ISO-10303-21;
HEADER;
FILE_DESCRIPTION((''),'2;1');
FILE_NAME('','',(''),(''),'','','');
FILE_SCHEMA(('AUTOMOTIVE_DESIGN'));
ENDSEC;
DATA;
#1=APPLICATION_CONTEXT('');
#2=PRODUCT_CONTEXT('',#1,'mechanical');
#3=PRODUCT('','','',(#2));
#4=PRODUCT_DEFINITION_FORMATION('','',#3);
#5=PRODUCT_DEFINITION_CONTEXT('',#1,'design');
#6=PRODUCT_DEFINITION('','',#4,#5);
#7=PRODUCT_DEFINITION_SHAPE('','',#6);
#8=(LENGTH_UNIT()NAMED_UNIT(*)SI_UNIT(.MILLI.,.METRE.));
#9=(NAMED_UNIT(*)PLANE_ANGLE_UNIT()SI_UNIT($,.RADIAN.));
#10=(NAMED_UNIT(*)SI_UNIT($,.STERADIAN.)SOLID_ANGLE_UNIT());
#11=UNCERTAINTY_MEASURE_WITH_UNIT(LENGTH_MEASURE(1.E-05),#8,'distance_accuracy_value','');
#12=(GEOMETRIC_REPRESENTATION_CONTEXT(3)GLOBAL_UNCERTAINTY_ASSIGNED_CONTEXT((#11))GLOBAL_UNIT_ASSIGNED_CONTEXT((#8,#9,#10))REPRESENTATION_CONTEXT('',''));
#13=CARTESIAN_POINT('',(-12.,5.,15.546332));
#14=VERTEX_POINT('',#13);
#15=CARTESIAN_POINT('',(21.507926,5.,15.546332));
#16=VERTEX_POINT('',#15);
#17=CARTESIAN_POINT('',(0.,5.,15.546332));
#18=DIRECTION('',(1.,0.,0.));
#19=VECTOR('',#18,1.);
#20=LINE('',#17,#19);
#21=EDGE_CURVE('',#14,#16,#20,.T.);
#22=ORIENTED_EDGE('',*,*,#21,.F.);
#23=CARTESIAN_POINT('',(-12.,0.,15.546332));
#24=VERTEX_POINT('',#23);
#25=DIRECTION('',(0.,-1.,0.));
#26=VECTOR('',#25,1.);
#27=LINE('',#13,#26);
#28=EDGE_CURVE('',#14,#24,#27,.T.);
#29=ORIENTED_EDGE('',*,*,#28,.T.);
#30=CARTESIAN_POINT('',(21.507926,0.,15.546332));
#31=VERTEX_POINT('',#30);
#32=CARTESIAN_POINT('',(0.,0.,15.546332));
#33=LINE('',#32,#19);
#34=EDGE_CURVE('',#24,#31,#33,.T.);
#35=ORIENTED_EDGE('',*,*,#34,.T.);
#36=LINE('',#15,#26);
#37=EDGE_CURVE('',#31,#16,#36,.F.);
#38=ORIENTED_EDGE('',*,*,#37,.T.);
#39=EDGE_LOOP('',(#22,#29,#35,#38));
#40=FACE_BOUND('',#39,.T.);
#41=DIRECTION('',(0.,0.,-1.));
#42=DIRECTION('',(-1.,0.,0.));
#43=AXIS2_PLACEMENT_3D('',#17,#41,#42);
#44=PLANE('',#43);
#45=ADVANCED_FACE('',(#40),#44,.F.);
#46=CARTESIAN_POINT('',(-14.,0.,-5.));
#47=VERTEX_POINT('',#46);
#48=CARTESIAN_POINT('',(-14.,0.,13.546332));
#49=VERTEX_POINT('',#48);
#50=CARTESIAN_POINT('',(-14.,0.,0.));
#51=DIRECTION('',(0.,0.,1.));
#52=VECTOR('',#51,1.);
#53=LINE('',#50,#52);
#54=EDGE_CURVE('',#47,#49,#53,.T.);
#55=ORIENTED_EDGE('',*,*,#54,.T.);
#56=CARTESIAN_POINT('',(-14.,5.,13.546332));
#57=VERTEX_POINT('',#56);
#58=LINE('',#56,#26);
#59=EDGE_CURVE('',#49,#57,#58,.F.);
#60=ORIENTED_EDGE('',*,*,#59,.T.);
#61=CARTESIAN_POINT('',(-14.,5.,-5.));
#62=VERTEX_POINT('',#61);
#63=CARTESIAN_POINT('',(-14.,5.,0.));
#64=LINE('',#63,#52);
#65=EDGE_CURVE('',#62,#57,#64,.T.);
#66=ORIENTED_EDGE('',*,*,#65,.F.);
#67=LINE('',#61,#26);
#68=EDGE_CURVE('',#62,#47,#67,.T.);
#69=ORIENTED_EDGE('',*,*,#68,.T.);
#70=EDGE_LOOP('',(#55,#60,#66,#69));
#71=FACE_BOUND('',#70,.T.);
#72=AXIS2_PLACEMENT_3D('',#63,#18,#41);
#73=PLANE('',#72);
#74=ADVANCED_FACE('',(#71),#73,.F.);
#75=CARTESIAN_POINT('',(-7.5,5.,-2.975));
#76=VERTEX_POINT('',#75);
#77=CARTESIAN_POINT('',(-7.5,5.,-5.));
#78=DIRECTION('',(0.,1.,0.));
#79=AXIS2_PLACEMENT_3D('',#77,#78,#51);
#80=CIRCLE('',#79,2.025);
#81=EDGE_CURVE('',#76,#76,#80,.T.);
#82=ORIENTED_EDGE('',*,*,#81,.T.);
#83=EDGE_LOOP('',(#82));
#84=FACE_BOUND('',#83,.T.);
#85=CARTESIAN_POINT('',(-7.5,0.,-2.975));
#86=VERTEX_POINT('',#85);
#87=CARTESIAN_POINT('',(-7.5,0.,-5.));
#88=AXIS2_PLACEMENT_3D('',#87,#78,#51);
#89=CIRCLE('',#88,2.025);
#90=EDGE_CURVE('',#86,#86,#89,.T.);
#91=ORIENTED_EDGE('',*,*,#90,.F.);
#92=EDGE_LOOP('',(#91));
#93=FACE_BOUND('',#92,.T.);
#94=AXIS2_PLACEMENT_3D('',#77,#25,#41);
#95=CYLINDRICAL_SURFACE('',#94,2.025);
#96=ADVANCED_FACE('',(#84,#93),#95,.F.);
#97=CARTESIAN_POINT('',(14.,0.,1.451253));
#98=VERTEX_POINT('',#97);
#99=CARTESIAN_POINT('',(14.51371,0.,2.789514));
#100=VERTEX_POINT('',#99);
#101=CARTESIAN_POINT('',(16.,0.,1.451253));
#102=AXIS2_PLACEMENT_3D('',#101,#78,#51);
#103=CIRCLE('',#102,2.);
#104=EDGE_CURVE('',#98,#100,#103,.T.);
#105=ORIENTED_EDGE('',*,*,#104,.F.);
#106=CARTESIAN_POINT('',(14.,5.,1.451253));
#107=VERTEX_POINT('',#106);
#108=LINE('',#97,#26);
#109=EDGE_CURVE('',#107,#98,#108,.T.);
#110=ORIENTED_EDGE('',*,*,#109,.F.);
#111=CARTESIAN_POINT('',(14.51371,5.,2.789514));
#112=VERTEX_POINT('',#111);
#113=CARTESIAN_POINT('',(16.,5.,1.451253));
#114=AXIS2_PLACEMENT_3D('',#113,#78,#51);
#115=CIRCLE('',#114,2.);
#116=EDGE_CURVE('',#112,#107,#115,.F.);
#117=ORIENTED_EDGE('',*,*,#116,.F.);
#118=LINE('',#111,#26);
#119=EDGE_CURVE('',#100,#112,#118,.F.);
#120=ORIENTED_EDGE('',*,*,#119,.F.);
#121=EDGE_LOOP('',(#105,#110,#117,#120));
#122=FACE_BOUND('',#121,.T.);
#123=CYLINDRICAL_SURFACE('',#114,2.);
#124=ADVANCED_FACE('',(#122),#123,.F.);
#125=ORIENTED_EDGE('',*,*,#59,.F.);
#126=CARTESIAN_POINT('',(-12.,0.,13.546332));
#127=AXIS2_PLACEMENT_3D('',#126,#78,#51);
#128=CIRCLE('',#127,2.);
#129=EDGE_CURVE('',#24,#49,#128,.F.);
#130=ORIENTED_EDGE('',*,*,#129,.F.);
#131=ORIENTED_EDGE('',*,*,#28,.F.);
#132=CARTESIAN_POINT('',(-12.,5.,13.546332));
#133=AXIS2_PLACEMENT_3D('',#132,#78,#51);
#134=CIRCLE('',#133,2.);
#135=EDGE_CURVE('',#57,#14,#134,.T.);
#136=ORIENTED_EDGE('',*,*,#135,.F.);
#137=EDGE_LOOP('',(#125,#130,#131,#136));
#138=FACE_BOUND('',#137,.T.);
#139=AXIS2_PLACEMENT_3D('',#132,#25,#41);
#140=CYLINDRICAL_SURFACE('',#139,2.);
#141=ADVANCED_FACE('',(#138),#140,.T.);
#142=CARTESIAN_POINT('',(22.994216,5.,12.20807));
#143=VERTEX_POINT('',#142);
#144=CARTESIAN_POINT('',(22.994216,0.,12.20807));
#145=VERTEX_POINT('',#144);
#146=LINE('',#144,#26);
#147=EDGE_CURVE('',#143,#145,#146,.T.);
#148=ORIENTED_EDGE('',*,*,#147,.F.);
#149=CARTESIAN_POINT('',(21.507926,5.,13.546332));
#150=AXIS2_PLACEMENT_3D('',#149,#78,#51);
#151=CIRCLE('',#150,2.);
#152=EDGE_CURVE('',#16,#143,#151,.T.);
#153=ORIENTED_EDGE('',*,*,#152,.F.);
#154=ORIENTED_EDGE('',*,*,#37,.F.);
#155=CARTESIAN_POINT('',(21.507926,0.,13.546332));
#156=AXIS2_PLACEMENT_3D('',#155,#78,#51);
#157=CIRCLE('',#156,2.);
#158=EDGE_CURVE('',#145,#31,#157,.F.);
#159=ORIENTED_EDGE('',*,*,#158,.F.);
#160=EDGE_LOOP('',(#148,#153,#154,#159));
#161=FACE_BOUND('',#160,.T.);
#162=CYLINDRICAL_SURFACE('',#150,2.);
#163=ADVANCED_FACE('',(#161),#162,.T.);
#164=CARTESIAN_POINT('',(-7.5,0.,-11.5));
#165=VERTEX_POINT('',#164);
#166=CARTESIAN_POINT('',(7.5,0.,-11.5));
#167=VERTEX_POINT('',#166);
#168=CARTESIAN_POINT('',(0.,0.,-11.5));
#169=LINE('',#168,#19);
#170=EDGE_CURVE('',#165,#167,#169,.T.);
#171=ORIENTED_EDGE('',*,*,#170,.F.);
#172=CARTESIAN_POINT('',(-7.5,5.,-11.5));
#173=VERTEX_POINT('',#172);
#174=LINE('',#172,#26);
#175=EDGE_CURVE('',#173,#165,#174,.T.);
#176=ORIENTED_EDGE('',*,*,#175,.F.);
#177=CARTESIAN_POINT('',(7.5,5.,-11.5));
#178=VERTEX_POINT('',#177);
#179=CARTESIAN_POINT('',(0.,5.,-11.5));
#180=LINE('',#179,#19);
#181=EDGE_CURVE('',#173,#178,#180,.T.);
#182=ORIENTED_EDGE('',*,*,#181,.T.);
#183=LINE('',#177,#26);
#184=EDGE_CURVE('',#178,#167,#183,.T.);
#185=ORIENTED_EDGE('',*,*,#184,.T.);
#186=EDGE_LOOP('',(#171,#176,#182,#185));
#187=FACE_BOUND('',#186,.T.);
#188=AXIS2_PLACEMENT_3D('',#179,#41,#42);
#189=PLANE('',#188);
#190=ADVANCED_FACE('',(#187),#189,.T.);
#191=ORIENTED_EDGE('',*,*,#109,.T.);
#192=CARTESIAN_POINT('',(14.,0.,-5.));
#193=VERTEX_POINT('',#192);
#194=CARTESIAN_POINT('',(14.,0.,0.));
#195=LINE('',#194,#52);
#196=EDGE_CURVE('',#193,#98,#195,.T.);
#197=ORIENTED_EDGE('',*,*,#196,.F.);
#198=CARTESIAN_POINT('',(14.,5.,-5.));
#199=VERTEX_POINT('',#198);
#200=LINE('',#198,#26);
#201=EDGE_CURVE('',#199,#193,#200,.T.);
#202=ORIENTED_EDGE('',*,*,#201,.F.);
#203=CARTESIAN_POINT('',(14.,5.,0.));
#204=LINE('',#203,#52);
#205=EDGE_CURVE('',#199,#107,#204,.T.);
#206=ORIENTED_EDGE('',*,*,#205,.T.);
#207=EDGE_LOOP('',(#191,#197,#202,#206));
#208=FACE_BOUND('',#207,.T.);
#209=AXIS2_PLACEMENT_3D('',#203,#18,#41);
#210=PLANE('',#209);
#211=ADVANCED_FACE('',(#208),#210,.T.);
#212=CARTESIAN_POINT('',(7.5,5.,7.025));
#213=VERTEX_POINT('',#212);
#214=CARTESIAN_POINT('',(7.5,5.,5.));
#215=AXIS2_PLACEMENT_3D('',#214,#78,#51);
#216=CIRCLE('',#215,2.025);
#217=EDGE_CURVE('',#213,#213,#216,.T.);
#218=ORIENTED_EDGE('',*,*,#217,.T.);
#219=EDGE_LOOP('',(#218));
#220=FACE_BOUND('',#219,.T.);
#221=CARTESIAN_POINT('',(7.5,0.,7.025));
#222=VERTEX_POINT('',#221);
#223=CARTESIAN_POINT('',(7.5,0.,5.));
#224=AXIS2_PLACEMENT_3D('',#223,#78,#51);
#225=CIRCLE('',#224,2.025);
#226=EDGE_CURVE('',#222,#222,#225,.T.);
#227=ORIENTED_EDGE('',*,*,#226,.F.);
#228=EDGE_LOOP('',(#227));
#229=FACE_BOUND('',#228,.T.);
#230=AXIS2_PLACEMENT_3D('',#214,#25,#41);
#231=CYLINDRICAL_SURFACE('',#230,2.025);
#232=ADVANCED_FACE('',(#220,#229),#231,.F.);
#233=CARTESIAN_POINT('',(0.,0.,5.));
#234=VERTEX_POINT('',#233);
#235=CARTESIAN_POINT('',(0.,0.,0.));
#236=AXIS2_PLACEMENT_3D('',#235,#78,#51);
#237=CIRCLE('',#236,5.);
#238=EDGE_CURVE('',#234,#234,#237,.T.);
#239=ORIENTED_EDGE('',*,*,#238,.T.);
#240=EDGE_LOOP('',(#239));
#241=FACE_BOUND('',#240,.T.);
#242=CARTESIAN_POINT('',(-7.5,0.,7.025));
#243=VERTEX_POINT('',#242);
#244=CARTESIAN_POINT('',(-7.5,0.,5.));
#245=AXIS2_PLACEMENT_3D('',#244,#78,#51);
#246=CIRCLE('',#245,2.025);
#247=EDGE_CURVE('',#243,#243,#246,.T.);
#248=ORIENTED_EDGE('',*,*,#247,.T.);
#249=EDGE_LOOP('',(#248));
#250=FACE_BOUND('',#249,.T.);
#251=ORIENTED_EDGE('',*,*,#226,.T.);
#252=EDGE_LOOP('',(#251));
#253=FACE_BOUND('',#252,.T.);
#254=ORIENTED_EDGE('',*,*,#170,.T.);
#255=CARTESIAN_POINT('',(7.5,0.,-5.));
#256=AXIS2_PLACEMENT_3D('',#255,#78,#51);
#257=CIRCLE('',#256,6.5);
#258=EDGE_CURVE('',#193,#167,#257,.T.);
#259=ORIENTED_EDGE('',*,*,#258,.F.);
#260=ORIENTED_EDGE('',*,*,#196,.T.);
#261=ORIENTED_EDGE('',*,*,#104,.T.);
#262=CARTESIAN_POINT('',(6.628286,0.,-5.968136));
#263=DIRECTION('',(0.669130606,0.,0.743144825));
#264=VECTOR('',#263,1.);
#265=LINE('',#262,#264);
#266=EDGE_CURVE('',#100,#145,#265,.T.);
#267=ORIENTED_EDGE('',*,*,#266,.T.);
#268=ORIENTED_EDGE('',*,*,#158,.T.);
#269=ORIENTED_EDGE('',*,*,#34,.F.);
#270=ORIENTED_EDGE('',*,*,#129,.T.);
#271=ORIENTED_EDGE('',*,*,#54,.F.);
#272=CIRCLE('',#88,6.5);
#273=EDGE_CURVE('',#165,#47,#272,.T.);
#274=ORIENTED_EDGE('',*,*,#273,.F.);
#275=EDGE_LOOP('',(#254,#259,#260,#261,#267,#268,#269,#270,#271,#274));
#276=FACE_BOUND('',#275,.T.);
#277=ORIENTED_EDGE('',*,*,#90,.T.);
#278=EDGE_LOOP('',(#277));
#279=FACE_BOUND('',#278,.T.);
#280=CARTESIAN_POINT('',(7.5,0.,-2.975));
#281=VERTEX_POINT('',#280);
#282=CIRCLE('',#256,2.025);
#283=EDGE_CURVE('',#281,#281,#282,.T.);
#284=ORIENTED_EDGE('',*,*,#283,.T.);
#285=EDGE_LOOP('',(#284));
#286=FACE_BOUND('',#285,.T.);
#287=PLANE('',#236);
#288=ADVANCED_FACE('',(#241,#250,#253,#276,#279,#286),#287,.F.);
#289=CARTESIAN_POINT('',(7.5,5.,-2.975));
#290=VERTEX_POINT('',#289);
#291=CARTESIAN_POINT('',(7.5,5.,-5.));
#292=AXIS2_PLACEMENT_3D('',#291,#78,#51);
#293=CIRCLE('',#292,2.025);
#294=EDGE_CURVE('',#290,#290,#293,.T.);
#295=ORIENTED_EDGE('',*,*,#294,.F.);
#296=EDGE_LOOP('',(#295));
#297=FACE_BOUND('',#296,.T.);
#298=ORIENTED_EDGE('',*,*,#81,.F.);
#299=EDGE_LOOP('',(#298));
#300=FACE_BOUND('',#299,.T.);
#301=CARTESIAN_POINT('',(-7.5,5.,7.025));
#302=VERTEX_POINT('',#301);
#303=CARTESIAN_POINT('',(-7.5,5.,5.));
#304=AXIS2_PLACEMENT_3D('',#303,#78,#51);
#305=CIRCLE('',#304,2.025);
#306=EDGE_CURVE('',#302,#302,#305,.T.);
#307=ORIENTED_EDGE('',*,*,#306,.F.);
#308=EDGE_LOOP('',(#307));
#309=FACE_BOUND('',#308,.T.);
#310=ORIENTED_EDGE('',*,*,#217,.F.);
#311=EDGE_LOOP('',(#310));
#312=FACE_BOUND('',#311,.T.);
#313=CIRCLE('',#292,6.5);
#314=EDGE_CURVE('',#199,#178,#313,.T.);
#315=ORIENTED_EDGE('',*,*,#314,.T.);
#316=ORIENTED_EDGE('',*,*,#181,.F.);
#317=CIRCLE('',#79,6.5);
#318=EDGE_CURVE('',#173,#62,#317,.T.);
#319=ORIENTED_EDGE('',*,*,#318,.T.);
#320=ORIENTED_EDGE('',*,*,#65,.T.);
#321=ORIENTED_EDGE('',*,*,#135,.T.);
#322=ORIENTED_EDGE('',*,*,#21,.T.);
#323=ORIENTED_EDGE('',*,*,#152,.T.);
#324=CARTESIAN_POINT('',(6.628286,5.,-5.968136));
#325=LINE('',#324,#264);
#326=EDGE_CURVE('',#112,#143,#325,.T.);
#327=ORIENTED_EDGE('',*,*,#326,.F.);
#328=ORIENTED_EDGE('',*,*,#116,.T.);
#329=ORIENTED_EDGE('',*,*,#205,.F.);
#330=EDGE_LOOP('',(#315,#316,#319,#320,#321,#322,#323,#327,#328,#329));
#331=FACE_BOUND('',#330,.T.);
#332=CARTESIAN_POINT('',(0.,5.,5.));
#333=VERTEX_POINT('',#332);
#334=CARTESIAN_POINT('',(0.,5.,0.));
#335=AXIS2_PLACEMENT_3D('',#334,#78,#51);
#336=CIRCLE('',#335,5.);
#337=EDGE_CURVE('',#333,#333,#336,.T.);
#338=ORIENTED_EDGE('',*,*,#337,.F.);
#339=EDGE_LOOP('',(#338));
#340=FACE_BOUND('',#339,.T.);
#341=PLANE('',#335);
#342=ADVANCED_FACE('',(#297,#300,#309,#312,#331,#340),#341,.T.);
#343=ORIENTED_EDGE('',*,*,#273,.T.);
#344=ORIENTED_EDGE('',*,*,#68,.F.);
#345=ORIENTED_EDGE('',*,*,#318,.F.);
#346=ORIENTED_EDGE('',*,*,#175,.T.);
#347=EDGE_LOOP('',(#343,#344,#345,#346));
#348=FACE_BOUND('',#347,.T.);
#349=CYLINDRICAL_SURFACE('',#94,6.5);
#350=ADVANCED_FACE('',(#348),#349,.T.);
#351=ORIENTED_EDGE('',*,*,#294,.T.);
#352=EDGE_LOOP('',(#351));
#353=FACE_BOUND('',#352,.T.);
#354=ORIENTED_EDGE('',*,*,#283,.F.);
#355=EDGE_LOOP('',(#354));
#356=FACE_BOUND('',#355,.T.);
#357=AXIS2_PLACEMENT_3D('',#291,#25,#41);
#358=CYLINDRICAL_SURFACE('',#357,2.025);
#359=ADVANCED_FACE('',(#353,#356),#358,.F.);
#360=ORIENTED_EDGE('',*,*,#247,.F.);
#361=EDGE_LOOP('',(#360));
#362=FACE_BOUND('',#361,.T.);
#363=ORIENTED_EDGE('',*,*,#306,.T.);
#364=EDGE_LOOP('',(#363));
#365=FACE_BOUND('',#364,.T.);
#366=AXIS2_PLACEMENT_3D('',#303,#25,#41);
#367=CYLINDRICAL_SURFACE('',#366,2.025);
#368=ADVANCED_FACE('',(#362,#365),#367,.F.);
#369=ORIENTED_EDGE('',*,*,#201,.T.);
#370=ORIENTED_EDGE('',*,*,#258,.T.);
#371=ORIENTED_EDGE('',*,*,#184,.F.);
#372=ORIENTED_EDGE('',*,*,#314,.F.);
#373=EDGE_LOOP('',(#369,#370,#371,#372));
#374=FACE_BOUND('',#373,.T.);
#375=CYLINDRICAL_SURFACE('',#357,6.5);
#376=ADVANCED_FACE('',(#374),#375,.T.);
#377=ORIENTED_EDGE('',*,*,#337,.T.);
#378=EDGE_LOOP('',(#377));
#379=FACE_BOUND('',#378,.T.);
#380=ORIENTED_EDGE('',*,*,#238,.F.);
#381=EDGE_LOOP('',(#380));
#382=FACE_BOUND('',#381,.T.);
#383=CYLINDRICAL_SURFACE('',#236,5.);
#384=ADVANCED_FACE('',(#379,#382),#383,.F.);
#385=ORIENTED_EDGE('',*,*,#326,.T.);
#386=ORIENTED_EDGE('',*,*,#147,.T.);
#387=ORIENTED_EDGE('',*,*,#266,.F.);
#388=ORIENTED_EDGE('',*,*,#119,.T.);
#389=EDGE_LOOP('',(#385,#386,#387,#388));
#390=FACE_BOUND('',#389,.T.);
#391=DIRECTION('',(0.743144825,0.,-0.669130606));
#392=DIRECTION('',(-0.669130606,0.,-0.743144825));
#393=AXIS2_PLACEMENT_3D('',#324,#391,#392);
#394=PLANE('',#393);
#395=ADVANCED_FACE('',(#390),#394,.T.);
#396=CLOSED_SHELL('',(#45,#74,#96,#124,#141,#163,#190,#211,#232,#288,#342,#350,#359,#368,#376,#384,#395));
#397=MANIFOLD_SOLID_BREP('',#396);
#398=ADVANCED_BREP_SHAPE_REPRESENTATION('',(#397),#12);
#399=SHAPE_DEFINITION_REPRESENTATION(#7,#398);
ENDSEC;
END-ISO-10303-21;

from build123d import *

# Parameters (mm, degrees)
SKETCH_1_R          = 2.025
EXTRUDE_1_DEPTH     = 5
FILLET_1_R          = 2
SKETCH_2_R          = 5
CUT_EXTRUDE_1_DEPTH = 5


with BuildPart() as part:
    # 草图1 → 凸台-拉伸1 (new body)
    with BuildSketch(Plane(origin=(0, 0, 0), x_dir=(1, 0, 0), z_dir=(0, 1, 0))):
        with BuildLine():
            Line((7.5, 11.5), (-7.5, 11.5))
            ThreePointArc((-7.5, 11.5), (-12.096194078, 9.596194078), (-14, 5))
            Line((-14, 5), (-14, -15.546331524))
            Line((-14, -15.546331524), (26, -15.546331524))
            Line((26, -15.546331524), (14, -2.218981346))
            Line((14, -2.218981346), (14, 5))
            ThreePointArc((14, 5), (12.096194078, 9.596194078), (7.5, 11.5))
        make_face()
        with Locations((-7.5, -5)):
            Circle(SKETCH_1_R, mode=Mode.SUBTRACT)
        with Locations((7.5, -5)):
            Circle(SKETCH_1_R, mode=Mode.SUBTRACT)
        with Locations((-7.5, 5)):
            Circle(SKETCH_1_R, mode=Mode.SUBTRACT)
        with Locations((7.5, 5)):
            Circle(SKETCH_1_R, mode=Mode.SUBTRACT)
    extrude(amount=EXTRUDE_1_DEPTH)

    # 圆角1
    fillet_1_edges = [part.edges().sort_by_distance(p)[0] for p in [
        (14, 2.5, 2.218981346),
        (26, 2.5, 15.546331524),
        (-14, 2.5, 15.546331524),
    ]]
    fillet(fillet_1_edges, radius=FILLET_1_R)

    # 草图2 → 切除-拉伸1 (cut)
    with BuildSketch(Plane(origin=(0, 5, 0), x_dir=(1, 0, 0), z_dir=(0, 1, 0))):
        Circle(SKETCH_2_R)
    extrude(amount=-CUT_EXTRUDE_1_DEPTH, mode=Mode.SUBTRACT)


solid = part.part
